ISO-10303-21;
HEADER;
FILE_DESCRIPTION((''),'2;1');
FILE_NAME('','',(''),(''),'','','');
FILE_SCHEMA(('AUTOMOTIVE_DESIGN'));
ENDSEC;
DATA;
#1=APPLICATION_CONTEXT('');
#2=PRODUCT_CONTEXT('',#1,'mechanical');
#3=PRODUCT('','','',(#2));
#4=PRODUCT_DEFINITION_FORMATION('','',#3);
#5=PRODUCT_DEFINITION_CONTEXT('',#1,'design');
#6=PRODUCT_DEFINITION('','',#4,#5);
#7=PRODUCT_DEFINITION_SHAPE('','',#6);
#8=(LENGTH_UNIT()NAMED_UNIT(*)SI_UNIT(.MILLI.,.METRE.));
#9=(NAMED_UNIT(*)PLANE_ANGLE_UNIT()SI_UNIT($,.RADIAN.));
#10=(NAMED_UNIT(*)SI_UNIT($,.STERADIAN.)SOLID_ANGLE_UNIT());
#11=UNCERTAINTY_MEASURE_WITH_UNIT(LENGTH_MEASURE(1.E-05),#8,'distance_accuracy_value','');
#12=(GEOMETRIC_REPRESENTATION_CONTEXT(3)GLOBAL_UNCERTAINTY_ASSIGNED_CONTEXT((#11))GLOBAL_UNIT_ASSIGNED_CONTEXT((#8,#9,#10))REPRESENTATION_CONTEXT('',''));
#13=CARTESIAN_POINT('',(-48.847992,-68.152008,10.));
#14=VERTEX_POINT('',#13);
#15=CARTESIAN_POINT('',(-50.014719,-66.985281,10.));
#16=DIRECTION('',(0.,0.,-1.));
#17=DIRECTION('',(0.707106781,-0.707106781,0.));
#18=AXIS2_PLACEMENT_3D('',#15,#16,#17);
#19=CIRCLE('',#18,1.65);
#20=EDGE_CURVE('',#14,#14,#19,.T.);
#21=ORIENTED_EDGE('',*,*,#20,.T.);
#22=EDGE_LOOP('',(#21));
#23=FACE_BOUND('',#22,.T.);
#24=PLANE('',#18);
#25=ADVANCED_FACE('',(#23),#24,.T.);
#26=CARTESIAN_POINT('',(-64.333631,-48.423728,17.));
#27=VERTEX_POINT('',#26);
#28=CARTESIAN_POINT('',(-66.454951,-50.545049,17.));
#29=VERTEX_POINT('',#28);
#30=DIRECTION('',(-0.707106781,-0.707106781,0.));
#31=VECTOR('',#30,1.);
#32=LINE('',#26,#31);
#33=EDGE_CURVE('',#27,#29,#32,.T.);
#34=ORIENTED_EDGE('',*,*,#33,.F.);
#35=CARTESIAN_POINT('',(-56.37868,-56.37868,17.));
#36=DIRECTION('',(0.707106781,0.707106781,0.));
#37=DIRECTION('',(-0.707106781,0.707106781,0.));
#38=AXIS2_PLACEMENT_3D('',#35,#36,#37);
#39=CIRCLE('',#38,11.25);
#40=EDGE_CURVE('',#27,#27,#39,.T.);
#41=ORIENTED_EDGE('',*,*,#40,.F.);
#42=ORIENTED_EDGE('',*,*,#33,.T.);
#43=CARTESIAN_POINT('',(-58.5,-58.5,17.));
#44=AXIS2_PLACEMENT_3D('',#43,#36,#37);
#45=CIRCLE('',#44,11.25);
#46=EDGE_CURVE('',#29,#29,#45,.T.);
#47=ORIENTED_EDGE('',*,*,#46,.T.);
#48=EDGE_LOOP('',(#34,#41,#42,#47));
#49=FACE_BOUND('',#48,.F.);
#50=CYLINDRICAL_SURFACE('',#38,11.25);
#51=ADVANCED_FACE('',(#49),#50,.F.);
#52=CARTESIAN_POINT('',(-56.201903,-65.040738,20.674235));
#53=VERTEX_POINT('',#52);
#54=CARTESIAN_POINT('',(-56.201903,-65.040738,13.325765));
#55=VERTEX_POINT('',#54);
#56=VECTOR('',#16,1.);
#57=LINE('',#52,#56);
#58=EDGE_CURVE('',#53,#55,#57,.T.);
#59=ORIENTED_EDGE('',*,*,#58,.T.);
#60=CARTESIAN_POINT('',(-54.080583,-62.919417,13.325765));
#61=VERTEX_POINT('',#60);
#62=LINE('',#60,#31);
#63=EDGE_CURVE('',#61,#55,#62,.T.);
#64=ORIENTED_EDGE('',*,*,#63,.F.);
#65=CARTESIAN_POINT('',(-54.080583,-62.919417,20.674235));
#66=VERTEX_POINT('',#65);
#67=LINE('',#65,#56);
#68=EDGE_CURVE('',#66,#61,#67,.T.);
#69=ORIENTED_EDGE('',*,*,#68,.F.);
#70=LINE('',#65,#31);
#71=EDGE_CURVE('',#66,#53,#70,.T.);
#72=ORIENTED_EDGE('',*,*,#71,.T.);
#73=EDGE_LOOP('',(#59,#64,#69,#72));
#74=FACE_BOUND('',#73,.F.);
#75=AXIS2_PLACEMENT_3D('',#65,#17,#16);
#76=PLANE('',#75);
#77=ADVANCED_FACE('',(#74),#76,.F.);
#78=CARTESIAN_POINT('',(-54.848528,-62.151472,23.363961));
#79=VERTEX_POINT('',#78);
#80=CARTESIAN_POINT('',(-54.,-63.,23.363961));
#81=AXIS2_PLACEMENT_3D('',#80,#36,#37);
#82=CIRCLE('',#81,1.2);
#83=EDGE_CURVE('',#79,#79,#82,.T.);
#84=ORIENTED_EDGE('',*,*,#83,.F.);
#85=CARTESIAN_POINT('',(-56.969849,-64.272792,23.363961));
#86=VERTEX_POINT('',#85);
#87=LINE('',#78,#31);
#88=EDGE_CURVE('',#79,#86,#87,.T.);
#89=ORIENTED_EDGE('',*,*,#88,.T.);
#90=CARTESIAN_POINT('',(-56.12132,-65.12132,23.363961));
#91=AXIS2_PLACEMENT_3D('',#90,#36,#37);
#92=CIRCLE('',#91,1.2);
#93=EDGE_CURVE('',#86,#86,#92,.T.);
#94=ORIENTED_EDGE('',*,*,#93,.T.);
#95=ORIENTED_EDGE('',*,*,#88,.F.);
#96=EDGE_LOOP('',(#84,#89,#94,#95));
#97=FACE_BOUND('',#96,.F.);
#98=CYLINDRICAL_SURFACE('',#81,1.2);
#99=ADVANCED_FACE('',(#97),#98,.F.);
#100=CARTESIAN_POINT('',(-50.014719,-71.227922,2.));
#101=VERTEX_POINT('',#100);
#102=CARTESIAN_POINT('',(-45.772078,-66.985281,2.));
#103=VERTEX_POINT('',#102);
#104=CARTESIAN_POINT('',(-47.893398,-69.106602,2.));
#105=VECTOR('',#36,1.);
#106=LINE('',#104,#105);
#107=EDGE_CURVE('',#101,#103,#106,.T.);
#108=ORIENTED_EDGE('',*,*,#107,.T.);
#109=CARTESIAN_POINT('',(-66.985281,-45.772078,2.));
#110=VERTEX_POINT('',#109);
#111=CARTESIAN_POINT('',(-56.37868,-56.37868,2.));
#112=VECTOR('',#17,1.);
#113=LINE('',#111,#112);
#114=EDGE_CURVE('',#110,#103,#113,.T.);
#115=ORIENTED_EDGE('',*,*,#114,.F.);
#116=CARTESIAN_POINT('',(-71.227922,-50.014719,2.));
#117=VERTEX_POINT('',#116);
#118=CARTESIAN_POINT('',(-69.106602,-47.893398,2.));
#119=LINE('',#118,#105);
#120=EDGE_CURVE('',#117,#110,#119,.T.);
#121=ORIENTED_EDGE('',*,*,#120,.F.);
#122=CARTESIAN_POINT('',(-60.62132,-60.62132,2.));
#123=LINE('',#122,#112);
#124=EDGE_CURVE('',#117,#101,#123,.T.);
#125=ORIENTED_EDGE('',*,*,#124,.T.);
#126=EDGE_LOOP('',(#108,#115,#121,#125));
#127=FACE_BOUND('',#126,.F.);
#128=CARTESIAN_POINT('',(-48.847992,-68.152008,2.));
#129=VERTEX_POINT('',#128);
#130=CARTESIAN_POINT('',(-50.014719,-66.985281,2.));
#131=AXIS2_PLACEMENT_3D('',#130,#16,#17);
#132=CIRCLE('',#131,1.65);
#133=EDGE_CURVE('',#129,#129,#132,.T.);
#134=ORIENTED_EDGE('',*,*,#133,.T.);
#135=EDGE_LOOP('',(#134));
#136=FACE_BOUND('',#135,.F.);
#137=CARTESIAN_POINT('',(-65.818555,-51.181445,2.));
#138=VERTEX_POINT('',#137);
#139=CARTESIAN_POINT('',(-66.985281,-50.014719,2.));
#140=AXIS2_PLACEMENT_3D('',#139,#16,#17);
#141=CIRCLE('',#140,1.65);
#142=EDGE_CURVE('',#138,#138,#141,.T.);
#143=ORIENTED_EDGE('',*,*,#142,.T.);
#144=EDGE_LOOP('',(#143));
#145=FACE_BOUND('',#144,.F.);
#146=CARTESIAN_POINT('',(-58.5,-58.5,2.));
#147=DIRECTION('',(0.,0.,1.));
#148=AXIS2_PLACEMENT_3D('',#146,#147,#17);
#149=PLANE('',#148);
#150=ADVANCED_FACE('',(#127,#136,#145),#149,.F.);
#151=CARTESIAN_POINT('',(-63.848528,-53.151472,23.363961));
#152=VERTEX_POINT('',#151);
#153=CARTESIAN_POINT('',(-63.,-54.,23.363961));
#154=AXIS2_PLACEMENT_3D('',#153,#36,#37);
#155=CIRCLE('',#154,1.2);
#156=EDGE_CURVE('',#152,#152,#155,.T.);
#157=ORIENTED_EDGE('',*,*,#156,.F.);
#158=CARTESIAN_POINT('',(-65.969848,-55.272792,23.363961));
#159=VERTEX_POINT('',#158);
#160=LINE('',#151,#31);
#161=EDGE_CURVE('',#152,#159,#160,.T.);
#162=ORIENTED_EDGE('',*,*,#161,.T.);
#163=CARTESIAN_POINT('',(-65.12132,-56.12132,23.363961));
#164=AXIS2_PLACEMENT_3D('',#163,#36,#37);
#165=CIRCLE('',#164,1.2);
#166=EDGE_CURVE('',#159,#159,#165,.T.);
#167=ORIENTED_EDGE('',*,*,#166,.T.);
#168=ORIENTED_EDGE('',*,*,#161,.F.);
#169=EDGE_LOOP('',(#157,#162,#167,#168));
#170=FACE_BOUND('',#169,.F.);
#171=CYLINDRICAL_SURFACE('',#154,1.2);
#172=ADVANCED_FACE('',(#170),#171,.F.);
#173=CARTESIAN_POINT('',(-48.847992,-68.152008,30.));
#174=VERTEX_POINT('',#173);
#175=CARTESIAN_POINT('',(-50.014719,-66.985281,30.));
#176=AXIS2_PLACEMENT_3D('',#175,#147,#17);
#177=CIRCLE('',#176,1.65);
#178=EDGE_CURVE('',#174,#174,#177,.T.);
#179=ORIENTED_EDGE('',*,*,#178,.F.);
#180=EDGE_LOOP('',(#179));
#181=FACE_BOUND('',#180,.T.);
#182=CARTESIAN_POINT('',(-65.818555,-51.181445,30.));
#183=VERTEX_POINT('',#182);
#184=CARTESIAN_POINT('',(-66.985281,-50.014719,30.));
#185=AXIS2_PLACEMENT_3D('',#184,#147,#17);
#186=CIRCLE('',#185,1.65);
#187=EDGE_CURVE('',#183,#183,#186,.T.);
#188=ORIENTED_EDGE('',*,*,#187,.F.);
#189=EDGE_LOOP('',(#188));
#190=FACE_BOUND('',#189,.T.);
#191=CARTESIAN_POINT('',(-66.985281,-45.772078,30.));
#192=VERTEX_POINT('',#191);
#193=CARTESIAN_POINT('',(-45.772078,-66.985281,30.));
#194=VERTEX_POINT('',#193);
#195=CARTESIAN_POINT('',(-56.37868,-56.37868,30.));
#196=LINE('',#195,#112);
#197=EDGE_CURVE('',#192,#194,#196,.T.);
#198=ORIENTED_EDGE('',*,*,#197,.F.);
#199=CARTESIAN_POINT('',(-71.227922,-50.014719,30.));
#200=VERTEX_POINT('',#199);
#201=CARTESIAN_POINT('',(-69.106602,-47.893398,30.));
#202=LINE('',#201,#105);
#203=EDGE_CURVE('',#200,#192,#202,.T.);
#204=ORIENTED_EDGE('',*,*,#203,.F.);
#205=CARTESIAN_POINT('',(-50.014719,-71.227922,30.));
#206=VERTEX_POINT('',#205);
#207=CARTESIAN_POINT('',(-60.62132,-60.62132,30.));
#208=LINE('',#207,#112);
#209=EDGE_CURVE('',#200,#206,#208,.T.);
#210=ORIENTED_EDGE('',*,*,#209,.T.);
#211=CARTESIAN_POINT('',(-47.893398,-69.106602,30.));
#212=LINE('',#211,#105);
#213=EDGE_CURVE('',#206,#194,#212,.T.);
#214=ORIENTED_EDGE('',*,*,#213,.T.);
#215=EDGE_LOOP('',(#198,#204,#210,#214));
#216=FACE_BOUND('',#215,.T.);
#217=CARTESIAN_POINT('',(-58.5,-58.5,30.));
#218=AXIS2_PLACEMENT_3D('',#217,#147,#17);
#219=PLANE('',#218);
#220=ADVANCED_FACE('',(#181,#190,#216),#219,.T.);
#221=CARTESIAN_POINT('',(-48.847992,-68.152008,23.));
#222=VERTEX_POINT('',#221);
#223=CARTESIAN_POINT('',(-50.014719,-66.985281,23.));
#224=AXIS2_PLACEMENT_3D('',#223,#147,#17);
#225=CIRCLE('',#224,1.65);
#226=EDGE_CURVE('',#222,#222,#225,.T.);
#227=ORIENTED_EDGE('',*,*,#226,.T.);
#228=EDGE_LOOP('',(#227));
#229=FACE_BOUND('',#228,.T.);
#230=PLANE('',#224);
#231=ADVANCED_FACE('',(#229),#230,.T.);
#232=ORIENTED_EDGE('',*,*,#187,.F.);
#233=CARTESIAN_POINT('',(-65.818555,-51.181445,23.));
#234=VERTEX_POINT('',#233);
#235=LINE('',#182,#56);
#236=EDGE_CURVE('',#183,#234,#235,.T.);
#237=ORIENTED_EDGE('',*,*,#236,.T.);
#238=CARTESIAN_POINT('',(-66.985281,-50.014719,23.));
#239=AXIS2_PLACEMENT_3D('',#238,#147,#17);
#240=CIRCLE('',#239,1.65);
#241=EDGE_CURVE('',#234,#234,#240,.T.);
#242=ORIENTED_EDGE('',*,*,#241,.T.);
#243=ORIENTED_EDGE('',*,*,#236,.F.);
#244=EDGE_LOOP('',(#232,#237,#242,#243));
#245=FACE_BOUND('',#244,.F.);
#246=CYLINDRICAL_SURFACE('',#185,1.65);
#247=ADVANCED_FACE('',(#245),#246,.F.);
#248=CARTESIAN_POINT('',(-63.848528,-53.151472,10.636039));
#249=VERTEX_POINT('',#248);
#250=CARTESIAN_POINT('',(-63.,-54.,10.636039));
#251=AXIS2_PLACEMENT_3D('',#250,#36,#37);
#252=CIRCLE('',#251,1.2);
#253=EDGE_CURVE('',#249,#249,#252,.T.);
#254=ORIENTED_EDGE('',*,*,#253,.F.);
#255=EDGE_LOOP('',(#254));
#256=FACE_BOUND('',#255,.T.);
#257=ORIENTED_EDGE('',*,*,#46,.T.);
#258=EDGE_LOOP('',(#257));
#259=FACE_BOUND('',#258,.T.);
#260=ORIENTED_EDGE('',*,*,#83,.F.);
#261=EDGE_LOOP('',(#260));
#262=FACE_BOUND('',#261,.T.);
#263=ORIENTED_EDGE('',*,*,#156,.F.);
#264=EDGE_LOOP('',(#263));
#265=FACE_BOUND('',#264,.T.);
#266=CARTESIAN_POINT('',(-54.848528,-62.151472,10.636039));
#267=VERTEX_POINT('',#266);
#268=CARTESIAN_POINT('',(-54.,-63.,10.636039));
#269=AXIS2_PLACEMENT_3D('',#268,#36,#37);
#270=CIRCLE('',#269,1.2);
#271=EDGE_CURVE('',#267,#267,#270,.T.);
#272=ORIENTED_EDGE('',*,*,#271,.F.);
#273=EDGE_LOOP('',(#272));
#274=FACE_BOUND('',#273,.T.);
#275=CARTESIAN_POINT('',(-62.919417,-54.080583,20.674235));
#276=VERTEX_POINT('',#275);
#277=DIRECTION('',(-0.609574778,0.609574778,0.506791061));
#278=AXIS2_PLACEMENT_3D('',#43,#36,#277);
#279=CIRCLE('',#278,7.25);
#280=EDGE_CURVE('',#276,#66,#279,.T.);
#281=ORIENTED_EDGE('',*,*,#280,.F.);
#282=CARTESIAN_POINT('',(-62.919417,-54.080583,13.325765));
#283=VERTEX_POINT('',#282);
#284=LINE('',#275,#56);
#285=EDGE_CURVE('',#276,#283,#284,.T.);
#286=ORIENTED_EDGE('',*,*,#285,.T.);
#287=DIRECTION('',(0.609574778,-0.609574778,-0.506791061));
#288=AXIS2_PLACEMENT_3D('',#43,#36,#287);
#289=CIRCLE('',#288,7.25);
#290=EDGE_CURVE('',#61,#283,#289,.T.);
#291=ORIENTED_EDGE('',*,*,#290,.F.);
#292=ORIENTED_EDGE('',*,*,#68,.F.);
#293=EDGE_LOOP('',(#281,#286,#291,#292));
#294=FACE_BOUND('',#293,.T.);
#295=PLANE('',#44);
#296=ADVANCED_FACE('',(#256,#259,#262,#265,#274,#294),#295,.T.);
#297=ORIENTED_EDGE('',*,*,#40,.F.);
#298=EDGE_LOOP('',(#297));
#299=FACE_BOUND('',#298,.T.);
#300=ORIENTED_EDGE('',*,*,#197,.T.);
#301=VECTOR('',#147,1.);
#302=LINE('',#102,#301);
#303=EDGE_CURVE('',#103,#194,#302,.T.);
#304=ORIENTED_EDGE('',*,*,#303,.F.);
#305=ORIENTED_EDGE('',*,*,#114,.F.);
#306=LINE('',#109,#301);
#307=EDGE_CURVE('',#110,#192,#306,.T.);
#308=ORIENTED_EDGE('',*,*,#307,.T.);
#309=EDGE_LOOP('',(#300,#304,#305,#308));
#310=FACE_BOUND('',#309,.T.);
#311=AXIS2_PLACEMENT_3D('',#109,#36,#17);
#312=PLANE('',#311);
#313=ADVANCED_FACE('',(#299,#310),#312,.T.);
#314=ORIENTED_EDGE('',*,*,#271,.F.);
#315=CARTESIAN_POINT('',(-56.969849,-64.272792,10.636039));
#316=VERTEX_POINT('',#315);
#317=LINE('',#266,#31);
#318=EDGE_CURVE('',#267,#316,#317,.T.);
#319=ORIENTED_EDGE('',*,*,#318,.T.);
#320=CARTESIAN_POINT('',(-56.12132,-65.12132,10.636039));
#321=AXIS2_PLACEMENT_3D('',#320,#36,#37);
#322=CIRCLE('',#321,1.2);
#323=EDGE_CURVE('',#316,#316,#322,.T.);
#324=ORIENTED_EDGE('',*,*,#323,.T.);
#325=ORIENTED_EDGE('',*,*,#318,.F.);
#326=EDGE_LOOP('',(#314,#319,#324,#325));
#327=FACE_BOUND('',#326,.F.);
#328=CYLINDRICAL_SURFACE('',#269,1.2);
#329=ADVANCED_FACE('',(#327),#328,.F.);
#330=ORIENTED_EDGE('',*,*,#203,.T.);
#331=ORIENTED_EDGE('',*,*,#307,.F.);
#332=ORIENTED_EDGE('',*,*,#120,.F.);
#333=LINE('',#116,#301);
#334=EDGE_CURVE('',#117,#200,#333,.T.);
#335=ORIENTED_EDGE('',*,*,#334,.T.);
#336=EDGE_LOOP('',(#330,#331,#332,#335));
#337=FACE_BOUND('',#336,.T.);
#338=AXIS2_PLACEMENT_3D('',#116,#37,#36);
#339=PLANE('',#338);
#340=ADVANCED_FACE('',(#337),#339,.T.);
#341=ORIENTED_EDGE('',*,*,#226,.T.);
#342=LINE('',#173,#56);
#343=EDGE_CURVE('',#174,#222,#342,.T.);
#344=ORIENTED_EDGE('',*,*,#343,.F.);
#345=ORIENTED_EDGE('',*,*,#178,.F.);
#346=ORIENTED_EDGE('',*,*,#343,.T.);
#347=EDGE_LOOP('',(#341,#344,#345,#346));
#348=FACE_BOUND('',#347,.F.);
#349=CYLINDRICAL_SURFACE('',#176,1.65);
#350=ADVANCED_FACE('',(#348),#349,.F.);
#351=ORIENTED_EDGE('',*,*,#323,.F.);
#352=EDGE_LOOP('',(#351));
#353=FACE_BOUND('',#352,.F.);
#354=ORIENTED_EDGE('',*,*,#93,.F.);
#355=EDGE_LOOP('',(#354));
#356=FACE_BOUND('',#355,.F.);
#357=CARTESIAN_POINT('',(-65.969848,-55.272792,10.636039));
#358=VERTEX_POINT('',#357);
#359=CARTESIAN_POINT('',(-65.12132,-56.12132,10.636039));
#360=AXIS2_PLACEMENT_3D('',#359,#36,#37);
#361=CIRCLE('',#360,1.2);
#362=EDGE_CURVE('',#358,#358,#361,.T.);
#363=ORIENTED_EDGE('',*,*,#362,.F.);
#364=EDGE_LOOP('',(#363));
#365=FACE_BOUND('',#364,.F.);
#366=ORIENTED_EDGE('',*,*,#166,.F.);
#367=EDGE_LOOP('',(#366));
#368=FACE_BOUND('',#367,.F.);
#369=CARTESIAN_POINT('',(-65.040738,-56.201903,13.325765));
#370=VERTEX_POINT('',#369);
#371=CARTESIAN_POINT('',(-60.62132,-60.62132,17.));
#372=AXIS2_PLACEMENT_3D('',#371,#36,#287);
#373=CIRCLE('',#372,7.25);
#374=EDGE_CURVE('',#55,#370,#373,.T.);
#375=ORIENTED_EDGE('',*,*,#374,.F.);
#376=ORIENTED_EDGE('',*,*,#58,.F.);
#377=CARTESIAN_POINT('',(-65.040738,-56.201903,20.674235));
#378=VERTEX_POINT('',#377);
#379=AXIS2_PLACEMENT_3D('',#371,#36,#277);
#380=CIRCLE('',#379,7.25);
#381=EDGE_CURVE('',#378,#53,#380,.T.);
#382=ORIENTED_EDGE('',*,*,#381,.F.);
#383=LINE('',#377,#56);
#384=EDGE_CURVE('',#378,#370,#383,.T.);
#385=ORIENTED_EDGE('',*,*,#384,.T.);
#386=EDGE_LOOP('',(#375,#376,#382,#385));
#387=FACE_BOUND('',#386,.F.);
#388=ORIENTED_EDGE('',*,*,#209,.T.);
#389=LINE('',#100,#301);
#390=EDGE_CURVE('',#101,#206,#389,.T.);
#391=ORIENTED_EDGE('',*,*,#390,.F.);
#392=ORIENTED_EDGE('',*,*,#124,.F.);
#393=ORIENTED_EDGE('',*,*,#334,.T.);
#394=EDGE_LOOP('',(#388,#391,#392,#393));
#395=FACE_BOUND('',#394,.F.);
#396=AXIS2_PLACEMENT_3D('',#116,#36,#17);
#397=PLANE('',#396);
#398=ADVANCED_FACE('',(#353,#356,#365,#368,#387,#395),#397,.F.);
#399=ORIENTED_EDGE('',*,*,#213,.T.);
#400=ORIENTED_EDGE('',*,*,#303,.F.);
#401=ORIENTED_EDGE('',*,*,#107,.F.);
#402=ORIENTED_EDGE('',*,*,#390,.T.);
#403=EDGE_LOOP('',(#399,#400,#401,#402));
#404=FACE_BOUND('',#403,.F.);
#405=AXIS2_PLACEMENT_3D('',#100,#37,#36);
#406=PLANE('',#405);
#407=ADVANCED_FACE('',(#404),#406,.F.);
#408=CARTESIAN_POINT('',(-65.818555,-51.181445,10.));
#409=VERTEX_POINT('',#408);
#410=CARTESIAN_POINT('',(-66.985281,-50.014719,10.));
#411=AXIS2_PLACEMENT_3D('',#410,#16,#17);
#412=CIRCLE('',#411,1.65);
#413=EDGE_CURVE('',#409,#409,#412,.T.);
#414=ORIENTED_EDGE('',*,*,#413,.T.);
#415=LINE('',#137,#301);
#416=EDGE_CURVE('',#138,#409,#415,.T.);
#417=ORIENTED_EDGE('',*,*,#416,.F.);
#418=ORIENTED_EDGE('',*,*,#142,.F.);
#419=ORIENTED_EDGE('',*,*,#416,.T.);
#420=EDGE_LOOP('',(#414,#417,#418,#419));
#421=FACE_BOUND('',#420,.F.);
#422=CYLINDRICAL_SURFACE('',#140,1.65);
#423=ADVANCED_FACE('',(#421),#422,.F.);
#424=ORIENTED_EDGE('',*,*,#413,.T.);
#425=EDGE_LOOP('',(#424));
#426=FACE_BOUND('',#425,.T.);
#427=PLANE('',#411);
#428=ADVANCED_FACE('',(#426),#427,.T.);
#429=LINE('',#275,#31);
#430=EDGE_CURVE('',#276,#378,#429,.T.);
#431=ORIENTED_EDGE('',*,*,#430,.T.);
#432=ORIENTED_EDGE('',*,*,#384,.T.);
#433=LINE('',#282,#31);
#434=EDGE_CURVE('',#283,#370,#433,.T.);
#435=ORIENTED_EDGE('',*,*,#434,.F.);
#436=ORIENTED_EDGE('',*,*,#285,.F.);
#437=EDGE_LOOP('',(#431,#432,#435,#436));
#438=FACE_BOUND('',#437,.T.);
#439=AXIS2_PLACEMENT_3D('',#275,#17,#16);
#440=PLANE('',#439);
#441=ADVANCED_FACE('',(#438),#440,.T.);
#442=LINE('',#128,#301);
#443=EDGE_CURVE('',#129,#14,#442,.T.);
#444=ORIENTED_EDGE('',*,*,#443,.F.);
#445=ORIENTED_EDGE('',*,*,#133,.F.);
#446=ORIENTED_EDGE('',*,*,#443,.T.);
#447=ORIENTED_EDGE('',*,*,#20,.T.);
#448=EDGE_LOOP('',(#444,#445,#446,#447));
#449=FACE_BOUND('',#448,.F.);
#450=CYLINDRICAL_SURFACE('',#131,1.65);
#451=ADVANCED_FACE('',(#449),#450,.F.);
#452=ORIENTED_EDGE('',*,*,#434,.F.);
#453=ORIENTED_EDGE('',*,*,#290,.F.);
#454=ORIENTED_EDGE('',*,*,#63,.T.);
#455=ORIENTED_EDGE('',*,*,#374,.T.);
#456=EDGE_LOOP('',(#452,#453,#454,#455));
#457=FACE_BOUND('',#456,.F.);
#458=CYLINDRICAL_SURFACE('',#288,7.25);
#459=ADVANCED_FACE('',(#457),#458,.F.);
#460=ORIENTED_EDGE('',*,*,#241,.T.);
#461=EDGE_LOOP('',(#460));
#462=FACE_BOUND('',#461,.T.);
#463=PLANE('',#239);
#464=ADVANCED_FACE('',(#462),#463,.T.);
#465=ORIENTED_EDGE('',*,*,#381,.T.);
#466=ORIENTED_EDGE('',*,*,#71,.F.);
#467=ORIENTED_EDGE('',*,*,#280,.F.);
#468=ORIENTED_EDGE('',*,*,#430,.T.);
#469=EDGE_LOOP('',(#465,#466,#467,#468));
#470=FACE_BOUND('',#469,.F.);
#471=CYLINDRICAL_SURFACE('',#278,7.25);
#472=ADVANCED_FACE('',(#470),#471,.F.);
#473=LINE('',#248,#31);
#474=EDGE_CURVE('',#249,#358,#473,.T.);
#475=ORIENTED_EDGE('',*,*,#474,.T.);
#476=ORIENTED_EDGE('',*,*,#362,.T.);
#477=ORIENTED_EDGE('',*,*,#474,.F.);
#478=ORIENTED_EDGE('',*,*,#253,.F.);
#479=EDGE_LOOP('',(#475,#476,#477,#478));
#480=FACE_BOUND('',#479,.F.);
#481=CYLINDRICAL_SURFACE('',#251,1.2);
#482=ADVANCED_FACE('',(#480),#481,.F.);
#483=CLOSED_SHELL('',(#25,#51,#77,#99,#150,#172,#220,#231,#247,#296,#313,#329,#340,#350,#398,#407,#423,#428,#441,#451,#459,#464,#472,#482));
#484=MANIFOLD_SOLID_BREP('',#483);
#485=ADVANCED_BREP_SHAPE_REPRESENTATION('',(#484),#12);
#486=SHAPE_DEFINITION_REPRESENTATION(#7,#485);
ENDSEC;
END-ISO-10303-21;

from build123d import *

# Parameters (mm, degrees)
SKETCH023_W             = 30
SKETCH023_H             = 6
PAD018_DEPTH            = 28
SKETCH024_R             = 11.25
POCKET_DEPTH            = 3
SKETCH025_R             = 1.2
POCKET005_DEPTH         = 3
SKETCH026_R             = 1.65
POCKET006_DEPTH         = 7
SKETCH027_R             = 1.65
POCKET007_DEPTH         = 8
BODY017_PLACEMENT_ANGLE = 45


with BuildPart() as part:
    # Sketch023 → Pad018 (new body)
    with BuildSketch(Plane.XY):
        Rectangle(SKETCH023_W, SKETCH023_H)
    extrude(amount=PAD018_DEPTH)

    # Sketch024 (on Face4 of Pad018) → Pocket (cut)
    with BuildSketch(Plane(origin=(0, 3, 0), x_dir=(-1, 0, 0), z_dir=(0, 1, 0))):
        with Locations((0, 15)):
            Circle(SKETCH024_R)
    extrude(amount=-POCKET_DEPTH, mode=Mode.SUBTRACT)

    # Sketch025 (on Face8 of Pocket) → Pocket005 (cut)
    with BuildSketch(Plane(origin=(0, 0, 0), x_dir=(-1, 0, 0), z_dir=(0, 1, 0))):
        with Locations((6.363961, 8.636039)):
            Circle(SKETCH025_R)
        with Locations((6.363961, 21.363961)):
            Circle(SKETCH025_R)
        with Locations((-6.363961, 21.363961)):
            Circle(SKETCH025_R)
        with Locations((-6.363961, 8.636039)):
            Circle(SKETCH025_R)
        with BuildLine():
            Line((-6.25, 18.674235), (-6.25, 11.325765))
            ThreePointArc((-6.25, 11.325765), (0, 7.75), (6.25, 11.325765))
            Line((6.25, 18.674235), (6.25, 11.325765))
            ThreePointArc((6.25, 18.674235), (0, 22.25), (-6.25, 18.674235))
        make_face()
    extrude(amount=-POCKET005_DEPTH, mode=Mode.SUBTRACT)

    # Sketch026 (on Face5 of Pocket005) → Pocket006 (cut)
    with BuildSketch(Plane.XY.offset(28)):
        with Locations((-12, 0)):
            Circle(SKETCH026_R)
        with Locations((12, 0)):
            Circle(SKETCH026_R)
    extrude(amount=-POCKET006_DEPTH, mode=Mode.SUBTRACT)

    # Sketch027 (on Face4 of Pocket006) → Pocket007 (cut)
    with BuildSketch(Plane(origin=(0, 0, 0), x_dir=(1, 0, 0), z_dir=(0, 0, -1))):
        with Locations((-12, 0)):
            Circle(SKETCH027_R)
        with Locations((12, 0)):
            Circle(SKETCH027_R)
    extrude(amount=-POCKET007_DEPTH, mode=Mode.SUBTRACT)


with BuildPart() as part_1:
    # Body017 placement: moved
    add(part.part.moved(Location((-58.5, -58.5, 2))).rotate(Axis((-58.5, -58.5, 2), (0, 0, -1)), BODY017_PLACEMENT_ANGLE))


solid = part_1.part
